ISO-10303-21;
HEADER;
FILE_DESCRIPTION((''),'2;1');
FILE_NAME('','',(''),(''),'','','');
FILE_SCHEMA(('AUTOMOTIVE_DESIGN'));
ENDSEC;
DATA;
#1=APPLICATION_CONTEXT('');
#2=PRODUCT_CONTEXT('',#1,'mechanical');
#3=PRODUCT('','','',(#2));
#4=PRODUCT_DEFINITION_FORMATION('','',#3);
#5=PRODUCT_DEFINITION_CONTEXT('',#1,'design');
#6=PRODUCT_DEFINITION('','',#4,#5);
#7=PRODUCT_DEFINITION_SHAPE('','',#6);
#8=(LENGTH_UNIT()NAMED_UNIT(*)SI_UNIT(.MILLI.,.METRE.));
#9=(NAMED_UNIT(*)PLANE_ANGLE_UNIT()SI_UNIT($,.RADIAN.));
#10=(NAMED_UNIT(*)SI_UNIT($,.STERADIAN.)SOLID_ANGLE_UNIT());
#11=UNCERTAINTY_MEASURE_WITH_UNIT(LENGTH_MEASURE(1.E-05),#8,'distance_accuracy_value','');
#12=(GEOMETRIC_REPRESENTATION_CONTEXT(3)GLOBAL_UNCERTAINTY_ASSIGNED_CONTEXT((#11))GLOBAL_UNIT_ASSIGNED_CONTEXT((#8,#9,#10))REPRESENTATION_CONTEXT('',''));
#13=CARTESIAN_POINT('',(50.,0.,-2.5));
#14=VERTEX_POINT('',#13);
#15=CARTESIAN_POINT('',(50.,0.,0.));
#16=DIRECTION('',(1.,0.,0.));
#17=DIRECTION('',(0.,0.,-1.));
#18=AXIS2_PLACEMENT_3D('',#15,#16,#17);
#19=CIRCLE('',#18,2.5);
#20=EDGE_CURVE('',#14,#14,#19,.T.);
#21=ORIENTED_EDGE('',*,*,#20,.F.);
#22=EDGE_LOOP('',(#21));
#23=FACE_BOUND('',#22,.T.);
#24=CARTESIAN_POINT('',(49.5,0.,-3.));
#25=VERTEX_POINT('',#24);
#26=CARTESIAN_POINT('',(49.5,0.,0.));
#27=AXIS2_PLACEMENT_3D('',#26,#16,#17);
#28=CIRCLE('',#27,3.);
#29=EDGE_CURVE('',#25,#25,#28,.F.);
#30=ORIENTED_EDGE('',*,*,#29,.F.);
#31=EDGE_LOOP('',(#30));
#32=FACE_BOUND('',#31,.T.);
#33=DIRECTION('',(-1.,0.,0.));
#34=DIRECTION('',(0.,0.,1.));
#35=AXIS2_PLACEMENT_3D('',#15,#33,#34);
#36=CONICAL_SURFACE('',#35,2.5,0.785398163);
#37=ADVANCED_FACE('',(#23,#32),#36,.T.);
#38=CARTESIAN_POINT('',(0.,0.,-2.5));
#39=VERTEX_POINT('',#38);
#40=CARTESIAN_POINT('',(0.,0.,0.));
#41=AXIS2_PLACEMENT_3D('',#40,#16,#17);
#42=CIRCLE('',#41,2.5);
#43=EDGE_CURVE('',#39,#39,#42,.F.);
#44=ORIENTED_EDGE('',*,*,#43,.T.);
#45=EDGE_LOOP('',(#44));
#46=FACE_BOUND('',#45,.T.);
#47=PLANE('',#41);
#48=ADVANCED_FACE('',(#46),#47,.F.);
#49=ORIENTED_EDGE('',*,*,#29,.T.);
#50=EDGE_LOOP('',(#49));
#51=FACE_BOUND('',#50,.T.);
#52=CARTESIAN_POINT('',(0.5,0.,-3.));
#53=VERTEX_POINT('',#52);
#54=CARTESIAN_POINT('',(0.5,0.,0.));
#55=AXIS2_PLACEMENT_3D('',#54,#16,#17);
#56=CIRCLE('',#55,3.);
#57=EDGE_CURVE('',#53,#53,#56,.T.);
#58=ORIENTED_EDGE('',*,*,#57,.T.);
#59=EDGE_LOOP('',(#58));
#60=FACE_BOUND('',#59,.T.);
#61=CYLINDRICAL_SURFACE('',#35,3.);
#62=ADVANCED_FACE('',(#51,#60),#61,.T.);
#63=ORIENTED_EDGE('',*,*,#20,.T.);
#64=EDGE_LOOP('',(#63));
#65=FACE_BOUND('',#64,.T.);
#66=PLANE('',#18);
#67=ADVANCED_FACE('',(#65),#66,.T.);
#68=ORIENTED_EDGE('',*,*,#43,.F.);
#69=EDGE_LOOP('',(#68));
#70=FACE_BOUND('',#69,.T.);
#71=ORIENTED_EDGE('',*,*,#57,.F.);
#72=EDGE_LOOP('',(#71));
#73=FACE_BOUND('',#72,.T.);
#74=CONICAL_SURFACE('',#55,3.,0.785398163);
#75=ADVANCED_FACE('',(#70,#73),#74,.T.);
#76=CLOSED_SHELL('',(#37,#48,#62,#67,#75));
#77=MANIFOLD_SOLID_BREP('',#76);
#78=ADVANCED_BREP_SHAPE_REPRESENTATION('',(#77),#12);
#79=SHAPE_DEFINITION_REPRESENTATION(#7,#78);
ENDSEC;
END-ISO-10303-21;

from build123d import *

# Parameters (mm, degrees)
SKETCH1_R      = 3
EXTRUDE1_DEPTH = 50
CHAMFER1_SIZE  = 0.5


with BuildPart() as part:
    # Sketch1 → Extrude1 (new body)
    with BuildSketch(Plane(origin=(0, 0, 0), x_dir=(0, 0, -1), z_dir=(1, 0, 0))):
        Circle(SKETCH1_R)
    extrude(amount=EXTRUDE1_DEPTH)

    # Chamfer1
    chamfer1_edges = [part.edges().sort_by_distance(p)[0] for p in [
        (0, 0, 3),
        (50, 0, 3),
    ]]
    chamfer(chamfer1_edges, length=CHAMFER1_SIZE)


solid = part.part
